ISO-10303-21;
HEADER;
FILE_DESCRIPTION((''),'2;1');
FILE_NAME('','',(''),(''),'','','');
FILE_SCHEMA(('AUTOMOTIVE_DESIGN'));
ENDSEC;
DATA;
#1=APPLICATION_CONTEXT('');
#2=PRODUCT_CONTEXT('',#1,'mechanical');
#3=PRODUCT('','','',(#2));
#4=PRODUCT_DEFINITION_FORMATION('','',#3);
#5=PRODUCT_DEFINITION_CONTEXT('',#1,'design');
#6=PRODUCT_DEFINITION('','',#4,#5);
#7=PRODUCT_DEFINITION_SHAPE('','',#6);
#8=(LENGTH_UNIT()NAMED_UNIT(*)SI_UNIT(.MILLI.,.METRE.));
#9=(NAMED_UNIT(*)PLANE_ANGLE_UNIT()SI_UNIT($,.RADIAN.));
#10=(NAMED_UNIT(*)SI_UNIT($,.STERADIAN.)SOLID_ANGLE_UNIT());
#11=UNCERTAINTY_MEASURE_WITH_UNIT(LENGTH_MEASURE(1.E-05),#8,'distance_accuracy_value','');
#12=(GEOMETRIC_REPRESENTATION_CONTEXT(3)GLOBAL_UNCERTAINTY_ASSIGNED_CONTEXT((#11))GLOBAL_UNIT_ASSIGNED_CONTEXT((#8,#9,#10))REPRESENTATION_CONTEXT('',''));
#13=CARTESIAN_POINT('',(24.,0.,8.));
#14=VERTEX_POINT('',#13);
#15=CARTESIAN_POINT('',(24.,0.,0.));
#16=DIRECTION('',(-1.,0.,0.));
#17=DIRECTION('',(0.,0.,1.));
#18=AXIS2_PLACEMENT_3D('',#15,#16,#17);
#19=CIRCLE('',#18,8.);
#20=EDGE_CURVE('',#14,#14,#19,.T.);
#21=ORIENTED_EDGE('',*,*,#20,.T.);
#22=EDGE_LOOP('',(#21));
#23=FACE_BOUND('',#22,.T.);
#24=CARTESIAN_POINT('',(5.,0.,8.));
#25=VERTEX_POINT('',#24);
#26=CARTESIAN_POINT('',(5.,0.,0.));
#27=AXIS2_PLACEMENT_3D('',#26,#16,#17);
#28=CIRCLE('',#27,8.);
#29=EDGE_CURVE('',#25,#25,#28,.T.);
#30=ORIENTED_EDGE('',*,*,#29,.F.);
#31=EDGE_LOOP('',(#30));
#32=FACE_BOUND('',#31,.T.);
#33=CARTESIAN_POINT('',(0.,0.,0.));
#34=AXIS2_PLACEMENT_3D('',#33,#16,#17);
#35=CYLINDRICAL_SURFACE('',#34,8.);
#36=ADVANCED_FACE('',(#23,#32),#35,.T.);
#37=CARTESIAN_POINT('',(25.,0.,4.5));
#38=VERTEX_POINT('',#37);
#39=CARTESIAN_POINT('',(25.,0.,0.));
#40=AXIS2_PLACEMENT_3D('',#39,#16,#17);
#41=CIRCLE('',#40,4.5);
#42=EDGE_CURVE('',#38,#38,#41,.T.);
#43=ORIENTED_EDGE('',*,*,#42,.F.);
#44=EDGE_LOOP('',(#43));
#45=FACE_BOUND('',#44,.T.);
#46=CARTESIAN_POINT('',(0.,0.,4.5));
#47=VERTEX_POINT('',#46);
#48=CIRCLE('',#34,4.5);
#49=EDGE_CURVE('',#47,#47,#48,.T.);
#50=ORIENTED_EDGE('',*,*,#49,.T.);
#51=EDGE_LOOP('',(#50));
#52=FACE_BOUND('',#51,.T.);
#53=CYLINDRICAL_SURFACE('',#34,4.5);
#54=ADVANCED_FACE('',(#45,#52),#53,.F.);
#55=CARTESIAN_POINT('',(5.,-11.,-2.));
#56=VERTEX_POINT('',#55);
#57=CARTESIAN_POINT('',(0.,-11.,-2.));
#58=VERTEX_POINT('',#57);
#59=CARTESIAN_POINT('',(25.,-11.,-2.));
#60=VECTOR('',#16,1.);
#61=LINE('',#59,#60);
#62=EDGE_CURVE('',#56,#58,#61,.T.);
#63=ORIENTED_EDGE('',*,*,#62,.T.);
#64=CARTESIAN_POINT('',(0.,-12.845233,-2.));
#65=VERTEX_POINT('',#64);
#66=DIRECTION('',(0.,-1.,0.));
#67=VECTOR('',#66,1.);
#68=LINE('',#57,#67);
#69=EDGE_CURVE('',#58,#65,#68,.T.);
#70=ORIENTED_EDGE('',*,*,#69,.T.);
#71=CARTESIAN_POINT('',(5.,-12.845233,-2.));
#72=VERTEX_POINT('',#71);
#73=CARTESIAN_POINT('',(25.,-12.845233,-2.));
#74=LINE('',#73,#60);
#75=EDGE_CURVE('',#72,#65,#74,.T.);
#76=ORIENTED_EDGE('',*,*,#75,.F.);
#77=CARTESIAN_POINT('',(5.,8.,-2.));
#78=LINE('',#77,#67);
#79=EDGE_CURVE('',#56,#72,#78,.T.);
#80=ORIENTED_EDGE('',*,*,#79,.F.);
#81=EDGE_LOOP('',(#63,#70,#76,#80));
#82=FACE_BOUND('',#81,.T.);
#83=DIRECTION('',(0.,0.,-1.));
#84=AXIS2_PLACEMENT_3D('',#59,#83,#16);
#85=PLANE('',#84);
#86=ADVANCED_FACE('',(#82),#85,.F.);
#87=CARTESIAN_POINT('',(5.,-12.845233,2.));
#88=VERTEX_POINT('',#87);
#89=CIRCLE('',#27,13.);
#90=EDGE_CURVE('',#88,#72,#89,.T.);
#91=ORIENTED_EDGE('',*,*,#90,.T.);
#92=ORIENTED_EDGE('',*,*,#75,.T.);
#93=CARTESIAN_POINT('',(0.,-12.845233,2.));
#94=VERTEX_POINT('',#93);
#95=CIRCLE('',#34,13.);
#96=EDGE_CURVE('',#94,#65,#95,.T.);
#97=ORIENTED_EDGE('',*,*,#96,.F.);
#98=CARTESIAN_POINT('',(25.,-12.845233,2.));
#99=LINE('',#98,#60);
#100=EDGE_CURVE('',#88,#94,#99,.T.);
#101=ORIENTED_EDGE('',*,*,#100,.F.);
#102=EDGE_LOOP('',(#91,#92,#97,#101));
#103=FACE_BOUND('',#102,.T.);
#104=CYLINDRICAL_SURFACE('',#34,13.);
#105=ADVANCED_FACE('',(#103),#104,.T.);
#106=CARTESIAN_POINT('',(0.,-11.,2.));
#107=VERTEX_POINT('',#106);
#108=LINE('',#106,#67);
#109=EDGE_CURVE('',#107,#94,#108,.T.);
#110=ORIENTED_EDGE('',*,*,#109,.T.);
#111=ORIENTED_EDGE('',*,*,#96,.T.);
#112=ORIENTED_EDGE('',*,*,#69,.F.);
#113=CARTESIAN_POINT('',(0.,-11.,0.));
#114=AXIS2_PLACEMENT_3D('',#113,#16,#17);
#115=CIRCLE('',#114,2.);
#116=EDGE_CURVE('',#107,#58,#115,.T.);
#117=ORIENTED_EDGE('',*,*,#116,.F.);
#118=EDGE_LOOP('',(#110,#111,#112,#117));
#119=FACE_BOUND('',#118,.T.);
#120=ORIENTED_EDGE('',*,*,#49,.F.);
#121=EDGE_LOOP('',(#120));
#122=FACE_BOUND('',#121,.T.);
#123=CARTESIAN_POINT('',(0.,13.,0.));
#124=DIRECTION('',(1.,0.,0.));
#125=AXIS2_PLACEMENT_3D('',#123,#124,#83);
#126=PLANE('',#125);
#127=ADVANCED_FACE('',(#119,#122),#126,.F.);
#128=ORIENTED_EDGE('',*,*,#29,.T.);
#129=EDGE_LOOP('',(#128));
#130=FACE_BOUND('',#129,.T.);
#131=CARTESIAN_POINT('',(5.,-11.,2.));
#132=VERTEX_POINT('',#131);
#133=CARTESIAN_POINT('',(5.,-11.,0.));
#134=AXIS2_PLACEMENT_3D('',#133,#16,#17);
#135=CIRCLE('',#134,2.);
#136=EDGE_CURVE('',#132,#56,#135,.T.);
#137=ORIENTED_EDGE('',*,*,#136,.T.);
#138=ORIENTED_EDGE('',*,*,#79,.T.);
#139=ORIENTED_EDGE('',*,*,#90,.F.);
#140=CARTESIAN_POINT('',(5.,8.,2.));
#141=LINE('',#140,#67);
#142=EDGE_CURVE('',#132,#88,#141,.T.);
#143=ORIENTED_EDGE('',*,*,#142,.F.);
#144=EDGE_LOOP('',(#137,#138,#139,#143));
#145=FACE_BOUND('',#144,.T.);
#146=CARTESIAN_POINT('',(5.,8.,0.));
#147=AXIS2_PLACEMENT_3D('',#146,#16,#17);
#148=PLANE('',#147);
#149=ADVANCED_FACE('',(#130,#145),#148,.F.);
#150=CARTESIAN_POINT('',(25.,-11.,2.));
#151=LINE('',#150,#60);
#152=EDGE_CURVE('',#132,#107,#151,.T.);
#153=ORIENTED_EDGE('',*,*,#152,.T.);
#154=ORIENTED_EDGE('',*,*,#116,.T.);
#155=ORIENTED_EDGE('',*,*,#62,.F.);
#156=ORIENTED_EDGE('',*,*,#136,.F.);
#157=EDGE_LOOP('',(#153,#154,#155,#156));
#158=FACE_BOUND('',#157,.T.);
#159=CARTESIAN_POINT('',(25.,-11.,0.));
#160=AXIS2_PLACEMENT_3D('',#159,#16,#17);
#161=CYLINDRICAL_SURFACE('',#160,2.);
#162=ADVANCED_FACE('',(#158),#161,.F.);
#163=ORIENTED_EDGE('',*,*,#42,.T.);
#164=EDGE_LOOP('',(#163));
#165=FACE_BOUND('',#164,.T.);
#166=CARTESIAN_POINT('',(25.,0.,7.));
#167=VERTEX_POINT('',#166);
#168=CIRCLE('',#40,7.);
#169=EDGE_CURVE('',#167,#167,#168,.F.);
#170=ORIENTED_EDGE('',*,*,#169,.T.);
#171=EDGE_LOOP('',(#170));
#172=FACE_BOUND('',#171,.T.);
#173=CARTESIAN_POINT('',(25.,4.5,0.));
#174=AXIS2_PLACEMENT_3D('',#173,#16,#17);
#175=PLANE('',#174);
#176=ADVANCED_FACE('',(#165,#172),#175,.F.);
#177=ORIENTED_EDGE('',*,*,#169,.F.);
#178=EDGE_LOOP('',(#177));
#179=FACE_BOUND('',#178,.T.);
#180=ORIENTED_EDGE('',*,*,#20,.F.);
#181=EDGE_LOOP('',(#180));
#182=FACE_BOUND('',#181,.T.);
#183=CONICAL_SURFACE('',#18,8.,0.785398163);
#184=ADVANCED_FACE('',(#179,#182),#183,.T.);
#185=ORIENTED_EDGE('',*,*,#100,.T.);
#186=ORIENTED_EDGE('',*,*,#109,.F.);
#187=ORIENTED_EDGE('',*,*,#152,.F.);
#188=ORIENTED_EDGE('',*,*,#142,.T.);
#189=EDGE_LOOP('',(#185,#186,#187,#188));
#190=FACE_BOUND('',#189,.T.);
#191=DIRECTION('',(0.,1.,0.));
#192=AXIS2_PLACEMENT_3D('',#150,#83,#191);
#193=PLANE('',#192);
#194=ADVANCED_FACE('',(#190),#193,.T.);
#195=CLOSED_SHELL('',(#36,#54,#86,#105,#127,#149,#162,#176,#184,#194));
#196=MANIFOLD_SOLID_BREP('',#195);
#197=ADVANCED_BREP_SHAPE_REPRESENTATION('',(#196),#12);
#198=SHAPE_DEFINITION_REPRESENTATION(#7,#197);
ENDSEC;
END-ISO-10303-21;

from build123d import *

# Parameters (mm, degrees)
CHANFREIN2_SIZE         = 1
ENL_V_MAT_EXTRU_1_DEPTH = 32.032241298


with BuildPart() as part:
    # Esquisse1 → Base-Révolution (revolve)
    with BuildSketch(Plane.XY, mode=Mode.PRIVATE) as base_r_volution_sk:
        Polygon((0, 4.5), (25, 4.5), (25, 8), (5, 8), (5, 13), (0, 13), align=None)
    revolve(base_r_volution_sk.sketch.rotate(Axis((0, 0, 0), (1, 0, 0)), 90), axis=Axis((0, 0, 0), (1, 0, 0)))

    # Chanfrein2
    chanfrein2_edges = [part.edges().sort_by_distance(p)[0] for p in [
        (25, 0, -8),
    ]]
    chamfer(chanfrein2_edges, length=CHANFREIN2_SIZE)

    # Esquisse2 → Enlèv. mat.-Extru.1 (cut, through all)
    with BuildSketch(Plane.ZY):
        with BuildLine():
            Line((2, -11), (2, -12.845232579))
            ThreePointArc((2, -12.845232579), (0, -13), (-2, -12.845232579))
            Line((-2, -12.845232579), (-2, -11))
            ThreePointArc((-2, -11), (0, -9), (2, -11))
        make_face()
    extrude(amount=-ENL_V_MAT_EXTRU_1_DEPTH, mode=Mode.SUBTRACT)


solid = part.part
